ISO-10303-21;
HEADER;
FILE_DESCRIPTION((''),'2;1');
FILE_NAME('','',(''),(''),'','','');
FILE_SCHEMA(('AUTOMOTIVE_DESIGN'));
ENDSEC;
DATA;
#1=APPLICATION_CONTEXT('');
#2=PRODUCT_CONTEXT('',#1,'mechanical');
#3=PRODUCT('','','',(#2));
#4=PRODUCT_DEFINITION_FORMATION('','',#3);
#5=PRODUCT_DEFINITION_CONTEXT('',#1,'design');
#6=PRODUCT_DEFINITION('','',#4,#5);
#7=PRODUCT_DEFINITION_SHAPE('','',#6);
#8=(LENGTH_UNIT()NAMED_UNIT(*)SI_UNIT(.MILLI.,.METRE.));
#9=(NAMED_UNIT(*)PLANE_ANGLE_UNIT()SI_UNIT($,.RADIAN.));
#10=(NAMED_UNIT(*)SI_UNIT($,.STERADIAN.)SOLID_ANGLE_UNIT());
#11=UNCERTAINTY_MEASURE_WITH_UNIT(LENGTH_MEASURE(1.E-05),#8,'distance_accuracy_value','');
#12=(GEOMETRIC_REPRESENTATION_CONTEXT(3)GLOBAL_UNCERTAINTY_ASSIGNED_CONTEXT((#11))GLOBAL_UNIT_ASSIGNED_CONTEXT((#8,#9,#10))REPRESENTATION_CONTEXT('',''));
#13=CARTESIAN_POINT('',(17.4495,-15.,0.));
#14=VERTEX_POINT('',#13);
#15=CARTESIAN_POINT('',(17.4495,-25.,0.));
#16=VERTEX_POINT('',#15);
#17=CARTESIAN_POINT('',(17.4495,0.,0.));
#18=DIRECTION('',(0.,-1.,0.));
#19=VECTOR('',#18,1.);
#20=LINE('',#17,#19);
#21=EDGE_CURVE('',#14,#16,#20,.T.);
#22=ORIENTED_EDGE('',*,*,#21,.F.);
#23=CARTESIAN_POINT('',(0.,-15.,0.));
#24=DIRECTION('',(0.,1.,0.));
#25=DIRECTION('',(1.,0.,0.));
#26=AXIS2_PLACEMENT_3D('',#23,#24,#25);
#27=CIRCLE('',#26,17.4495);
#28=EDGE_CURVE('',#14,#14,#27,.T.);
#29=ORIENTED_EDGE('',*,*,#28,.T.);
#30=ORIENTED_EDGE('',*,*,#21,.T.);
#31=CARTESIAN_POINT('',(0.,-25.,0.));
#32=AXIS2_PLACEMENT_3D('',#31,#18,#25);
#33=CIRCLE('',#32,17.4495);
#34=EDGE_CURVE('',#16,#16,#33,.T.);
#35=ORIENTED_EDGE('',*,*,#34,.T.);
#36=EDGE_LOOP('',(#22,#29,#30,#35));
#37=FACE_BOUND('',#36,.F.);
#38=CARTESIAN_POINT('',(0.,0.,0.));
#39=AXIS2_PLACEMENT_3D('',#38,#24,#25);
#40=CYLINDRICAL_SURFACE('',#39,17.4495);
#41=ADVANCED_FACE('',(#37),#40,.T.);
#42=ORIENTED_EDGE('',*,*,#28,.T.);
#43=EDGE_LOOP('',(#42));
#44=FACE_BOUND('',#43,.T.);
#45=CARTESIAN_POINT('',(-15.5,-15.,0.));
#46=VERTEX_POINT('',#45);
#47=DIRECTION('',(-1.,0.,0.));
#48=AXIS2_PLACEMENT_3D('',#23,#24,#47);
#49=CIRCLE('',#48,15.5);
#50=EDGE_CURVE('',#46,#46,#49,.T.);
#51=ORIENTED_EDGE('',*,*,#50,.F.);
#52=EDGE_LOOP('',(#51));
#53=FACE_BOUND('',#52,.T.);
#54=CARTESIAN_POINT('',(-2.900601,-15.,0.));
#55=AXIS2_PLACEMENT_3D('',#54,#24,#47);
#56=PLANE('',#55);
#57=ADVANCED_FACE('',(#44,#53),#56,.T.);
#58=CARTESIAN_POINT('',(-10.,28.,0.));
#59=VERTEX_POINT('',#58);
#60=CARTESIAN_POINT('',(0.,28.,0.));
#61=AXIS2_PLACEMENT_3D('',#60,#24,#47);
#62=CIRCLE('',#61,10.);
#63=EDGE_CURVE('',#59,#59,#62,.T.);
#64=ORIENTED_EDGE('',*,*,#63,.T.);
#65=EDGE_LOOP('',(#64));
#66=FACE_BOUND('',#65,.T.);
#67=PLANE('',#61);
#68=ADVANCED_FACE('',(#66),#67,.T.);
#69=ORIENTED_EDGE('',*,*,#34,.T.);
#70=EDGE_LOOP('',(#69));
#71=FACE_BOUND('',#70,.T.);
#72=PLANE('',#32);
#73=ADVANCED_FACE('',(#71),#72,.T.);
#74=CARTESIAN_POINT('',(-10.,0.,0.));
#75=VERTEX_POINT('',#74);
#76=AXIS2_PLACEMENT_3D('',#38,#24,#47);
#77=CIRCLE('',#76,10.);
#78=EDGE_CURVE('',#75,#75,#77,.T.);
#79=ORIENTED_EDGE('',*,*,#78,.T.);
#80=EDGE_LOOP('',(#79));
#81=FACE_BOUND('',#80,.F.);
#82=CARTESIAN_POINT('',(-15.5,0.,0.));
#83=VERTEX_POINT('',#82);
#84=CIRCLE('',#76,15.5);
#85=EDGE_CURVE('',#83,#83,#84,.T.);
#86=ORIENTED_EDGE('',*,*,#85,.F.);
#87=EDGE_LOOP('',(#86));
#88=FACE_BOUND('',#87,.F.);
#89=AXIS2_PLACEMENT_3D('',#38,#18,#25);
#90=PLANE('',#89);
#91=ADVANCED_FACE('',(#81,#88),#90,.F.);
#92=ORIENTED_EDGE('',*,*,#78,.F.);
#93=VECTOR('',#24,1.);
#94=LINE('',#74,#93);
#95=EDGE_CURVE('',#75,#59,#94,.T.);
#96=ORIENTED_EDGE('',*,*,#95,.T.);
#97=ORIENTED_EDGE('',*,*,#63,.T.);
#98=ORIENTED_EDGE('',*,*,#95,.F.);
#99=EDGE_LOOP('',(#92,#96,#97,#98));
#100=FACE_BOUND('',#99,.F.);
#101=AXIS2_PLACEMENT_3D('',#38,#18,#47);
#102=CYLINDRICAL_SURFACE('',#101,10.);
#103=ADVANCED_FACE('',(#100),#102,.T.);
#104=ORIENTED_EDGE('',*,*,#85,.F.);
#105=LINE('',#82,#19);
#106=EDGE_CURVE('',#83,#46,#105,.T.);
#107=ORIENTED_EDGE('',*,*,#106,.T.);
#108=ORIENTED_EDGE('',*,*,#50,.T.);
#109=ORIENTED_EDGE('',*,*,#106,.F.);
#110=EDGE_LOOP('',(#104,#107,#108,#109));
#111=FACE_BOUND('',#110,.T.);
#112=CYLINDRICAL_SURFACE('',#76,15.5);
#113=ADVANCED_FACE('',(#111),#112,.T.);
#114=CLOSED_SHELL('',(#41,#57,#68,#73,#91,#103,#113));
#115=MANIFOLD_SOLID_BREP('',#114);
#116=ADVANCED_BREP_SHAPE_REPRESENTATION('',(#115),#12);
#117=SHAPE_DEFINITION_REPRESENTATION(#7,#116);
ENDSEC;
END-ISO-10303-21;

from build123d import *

# Parameters (mm, degrees)
F0_R     = 17.4495
F1_DEPTH = 25
F2_R     = 26.49903
F2_R_2   = 15.5
F3_DEPTH = 15
F4_R     = 10
F5_DEPTH = 28


with BuildPart() as f1:
    # F0 (on Front) → F1 (new body)
    with BuildSketch(Plane.XZ):
        Circle(F0_R)
    extrude(amount=F1_DEPTH)

    # F2 (on face) → F3 (cut)
    with BuildSketch(Plane(origin=(0, 0, 0), x_dir=(-1, 0, 0), z_dir=(0, 1, 0))):
        with Locations((2.900601, 0)):
            Circle(F2_R)
        Circle(F2_R_2, mode=Mode.SUBTRACT)
    extrude(amount=-F3_DEPTH, mode=Mode.SUBTRACT)

    # F4 (on face) → F5 (join)
    with BuildSketch(Plane(origin=(0, 0, 0), x_dir=(-1, 0, 0), z_dir=(0, 1, 0))):
        Circle(F4_R)
    extrude(amount=F5_DEPTH)


solid = f1.part
